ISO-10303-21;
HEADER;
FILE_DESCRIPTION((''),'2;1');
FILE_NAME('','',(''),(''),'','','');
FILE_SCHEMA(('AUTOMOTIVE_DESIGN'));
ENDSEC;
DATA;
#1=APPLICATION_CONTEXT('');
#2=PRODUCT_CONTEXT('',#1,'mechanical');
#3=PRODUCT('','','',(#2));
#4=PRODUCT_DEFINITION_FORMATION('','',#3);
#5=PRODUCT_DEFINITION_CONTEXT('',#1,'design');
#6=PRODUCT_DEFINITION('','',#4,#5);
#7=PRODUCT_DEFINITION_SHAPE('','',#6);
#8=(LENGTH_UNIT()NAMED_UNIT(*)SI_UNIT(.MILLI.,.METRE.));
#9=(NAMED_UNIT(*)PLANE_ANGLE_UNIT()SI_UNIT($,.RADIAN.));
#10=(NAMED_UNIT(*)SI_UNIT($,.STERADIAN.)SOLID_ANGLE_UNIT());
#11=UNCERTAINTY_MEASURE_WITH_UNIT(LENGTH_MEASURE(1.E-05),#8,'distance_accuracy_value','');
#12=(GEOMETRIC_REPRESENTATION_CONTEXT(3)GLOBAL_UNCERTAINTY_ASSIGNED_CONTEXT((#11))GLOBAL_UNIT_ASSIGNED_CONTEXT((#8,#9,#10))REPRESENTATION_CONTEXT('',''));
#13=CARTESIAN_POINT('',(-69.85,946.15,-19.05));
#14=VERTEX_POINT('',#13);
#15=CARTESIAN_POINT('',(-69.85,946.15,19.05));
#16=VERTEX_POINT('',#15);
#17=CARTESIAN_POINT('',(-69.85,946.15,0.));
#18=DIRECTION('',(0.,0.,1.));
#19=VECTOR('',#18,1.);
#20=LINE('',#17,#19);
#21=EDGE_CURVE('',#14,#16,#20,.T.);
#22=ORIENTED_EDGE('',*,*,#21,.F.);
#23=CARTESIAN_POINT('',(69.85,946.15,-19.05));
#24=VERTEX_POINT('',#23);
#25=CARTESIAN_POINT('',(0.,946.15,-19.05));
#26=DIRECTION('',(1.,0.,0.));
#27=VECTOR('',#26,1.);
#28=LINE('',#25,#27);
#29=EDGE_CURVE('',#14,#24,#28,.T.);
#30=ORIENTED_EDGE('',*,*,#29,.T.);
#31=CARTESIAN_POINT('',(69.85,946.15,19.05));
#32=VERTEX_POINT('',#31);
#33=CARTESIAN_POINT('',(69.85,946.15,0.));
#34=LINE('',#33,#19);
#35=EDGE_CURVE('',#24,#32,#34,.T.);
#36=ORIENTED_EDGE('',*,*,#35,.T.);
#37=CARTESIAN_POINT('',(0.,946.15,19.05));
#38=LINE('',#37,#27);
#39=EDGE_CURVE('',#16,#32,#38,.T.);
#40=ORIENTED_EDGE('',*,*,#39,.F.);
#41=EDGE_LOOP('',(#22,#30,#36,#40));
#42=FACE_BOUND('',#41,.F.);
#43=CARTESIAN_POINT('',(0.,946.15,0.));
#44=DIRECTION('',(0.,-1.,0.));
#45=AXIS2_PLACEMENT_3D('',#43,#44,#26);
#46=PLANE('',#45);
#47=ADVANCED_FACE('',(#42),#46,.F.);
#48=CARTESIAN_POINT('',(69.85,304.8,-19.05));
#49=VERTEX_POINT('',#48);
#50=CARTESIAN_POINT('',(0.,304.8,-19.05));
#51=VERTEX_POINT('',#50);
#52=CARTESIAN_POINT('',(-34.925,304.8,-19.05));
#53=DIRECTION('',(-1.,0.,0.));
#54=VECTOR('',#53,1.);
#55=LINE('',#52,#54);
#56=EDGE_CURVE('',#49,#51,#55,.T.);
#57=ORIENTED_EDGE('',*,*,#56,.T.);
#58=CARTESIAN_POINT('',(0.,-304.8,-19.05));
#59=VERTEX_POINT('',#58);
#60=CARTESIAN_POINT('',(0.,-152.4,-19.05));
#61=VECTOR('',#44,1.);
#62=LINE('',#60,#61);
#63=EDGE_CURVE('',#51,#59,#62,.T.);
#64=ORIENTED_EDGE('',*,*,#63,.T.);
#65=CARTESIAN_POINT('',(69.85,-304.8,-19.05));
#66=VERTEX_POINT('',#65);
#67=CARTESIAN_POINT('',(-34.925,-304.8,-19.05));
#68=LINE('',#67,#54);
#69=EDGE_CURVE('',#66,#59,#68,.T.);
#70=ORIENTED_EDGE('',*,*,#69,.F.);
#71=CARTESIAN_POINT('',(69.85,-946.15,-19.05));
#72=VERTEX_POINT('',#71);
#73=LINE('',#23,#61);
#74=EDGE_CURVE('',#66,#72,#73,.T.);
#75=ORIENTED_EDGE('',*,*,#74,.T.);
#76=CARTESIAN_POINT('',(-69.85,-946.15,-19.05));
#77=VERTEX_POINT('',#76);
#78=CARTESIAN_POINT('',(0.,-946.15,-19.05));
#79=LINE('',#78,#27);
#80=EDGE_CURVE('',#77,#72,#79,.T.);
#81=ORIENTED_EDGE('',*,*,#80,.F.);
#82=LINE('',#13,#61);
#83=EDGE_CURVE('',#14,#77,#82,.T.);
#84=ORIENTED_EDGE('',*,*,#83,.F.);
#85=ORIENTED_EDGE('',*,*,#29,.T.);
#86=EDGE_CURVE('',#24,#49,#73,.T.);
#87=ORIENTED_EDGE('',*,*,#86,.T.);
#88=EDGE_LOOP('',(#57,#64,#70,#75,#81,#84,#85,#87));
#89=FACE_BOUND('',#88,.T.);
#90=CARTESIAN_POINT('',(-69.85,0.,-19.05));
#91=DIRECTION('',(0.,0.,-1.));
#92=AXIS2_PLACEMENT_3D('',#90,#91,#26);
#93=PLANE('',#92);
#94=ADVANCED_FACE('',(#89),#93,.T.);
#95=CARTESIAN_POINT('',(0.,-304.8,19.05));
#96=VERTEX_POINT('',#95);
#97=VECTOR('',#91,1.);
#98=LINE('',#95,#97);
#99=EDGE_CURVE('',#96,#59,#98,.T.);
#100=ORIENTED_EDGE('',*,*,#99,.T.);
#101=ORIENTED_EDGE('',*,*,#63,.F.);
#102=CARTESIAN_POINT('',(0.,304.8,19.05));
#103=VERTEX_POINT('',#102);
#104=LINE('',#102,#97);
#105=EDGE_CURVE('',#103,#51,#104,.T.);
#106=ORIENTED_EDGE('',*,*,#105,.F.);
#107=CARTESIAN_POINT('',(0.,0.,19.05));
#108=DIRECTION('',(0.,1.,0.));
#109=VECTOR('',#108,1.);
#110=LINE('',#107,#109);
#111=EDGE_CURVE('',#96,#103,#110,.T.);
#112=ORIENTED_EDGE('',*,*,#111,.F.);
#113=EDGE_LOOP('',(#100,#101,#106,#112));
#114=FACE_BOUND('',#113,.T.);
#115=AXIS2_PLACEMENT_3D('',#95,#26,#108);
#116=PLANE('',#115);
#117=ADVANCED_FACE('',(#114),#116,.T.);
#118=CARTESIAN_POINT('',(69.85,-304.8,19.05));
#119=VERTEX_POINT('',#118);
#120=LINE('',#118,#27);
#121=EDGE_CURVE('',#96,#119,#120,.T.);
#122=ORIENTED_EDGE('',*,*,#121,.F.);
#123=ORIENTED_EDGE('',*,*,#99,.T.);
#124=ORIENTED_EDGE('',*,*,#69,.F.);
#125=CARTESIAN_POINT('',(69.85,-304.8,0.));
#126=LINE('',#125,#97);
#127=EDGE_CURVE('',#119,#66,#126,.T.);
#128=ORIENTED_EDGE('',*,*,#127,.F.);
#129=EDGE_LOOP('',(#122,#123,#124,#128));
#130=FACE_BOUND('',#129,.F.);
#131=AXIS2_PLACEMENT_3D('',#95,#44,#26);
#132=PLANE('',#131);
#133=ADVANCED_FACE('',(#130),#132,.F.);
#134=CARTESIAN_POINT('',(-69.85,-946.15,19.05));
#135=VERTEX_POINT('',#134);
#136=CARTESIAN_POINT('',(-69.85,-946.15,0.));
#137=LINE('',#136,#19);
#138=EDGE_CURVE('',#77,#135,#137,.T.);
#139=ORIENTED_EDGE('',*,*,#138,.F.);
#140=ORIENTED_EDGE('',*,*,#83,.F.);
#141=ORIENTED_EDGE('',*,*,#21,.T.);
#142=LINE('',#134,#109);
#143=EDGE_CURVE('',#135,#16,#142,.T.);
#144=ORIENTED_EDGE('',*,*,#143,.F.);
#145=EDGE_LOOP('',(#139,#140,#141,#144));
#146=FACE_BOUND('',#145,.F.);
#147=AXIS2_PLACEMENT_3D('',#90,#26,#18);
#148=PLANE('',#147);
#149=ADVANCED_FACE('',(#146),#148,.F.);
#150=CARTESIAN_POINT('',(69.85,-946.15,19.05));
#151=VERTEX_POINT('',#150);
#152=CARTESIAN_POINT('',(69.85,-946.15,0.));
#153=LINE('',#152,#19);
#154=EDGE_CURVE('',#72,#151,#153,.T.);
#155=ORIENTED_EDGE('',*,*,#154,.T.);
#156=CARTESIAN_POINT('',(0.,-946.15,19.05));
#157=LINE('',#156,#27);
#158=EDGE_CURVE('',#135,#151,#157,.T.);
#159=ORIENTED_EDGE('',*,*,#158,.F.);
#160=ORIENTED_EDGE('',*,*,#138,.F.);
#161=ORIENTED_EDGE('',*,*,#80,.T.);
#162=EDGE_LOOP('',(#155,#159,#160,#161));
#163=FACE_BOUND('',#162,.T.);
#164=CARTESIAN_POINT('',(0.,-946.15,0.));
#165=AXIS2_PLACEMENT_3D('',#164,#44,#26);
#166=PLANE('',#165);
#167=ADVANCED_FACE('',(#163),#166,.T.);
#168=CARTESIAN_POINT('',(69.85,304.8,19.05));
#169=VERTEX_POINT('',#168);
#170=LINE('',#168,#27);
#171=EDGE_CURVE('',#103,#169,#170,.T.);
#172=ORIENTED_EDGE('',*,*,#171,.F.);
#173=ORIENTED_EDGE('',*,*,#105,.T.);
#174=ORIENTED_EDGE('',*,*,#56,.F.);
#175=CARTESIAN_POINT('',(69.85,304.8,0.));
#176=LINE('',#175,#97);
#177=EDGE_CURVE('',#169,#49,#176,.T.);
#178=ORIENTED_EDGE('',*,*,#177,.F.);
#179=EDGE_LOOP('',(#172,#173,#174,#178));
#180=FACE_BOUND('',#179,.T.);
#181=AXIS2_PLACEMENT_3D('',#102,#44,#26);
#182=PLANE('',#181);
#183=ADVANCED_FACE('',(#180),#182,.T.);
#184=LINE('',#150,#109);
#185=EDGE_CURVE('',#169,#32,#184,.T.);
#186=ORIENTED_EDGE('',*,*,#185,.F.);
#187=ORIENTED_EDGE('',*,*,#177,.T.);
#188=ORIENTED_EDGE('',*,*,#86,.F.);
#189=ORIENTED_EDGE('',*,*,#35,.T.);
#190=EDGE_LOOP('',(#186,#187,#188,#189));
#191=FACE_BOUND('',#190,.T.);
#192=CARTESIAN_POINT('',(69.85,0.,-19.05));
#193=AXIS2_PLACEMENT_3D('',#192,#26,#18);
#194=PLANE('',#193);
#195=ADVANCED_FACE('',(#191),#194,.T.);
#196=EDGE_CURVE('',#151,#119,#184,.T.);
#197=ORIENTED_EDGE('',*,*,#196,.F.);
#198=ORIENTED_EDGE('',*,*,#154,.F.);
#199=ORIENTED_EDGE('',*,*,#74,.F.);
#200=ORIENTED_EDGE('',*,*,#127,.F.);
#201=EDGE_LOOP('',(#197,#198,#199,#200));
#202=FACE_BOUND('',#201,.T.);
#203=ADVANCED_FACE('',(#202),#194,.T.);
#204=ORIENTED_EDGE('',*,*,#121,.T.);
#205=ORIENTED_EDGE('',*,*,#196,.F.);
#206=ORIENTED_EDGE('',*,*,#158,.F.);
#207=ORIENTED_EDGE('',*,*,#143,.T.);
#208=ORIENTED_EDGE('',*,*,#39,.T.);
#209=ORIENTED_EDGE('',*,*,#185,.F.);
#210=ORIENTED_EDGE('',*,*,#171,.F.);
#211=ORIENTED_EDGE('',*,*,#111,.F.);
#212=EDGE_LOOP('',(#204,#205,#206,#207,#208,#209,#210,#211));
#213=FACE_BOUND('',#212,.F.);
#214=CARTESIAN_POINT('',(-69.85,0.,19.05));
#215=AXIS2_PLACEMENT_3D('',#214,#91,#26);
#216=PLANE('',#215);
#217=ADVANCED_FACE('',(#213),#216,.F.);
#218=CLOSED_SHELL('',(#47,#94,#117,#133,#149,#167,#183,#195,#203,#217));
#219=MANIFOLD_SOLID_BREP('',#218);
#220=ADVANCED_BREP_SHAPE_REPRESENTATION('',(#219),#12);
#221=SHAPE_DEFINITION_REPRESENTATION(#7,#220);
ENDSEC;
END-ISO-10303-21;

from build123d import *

# Parameters (mm, degrees)
F0_W     = 139.7
F0_H     = 38.1
F1_DEPTH = 946.15
F2_W     = 139.7
F2_H     = 609.6
F3_DEPTH = 38.101


with BuildPart() as f1:
    # F0 (on Front) → F1 (new body, symmetric)
    with BuildSketch(Plane.XZ):
        Rectangle(F0_W, F0_H)
    extrude(amount=F1_DEPTH, both=True)

    # F2 (on face) → F3 (cut, through all)
    with BuildSketch(Plane.XY.offset(19.05)):
        with Locations((69.85, 0)):
            Rectangle(F2_W, F2_H)
    extrude(amount=-F3_DEPTH, mode=Mode.SUBTRACT)


solid = f1.part
